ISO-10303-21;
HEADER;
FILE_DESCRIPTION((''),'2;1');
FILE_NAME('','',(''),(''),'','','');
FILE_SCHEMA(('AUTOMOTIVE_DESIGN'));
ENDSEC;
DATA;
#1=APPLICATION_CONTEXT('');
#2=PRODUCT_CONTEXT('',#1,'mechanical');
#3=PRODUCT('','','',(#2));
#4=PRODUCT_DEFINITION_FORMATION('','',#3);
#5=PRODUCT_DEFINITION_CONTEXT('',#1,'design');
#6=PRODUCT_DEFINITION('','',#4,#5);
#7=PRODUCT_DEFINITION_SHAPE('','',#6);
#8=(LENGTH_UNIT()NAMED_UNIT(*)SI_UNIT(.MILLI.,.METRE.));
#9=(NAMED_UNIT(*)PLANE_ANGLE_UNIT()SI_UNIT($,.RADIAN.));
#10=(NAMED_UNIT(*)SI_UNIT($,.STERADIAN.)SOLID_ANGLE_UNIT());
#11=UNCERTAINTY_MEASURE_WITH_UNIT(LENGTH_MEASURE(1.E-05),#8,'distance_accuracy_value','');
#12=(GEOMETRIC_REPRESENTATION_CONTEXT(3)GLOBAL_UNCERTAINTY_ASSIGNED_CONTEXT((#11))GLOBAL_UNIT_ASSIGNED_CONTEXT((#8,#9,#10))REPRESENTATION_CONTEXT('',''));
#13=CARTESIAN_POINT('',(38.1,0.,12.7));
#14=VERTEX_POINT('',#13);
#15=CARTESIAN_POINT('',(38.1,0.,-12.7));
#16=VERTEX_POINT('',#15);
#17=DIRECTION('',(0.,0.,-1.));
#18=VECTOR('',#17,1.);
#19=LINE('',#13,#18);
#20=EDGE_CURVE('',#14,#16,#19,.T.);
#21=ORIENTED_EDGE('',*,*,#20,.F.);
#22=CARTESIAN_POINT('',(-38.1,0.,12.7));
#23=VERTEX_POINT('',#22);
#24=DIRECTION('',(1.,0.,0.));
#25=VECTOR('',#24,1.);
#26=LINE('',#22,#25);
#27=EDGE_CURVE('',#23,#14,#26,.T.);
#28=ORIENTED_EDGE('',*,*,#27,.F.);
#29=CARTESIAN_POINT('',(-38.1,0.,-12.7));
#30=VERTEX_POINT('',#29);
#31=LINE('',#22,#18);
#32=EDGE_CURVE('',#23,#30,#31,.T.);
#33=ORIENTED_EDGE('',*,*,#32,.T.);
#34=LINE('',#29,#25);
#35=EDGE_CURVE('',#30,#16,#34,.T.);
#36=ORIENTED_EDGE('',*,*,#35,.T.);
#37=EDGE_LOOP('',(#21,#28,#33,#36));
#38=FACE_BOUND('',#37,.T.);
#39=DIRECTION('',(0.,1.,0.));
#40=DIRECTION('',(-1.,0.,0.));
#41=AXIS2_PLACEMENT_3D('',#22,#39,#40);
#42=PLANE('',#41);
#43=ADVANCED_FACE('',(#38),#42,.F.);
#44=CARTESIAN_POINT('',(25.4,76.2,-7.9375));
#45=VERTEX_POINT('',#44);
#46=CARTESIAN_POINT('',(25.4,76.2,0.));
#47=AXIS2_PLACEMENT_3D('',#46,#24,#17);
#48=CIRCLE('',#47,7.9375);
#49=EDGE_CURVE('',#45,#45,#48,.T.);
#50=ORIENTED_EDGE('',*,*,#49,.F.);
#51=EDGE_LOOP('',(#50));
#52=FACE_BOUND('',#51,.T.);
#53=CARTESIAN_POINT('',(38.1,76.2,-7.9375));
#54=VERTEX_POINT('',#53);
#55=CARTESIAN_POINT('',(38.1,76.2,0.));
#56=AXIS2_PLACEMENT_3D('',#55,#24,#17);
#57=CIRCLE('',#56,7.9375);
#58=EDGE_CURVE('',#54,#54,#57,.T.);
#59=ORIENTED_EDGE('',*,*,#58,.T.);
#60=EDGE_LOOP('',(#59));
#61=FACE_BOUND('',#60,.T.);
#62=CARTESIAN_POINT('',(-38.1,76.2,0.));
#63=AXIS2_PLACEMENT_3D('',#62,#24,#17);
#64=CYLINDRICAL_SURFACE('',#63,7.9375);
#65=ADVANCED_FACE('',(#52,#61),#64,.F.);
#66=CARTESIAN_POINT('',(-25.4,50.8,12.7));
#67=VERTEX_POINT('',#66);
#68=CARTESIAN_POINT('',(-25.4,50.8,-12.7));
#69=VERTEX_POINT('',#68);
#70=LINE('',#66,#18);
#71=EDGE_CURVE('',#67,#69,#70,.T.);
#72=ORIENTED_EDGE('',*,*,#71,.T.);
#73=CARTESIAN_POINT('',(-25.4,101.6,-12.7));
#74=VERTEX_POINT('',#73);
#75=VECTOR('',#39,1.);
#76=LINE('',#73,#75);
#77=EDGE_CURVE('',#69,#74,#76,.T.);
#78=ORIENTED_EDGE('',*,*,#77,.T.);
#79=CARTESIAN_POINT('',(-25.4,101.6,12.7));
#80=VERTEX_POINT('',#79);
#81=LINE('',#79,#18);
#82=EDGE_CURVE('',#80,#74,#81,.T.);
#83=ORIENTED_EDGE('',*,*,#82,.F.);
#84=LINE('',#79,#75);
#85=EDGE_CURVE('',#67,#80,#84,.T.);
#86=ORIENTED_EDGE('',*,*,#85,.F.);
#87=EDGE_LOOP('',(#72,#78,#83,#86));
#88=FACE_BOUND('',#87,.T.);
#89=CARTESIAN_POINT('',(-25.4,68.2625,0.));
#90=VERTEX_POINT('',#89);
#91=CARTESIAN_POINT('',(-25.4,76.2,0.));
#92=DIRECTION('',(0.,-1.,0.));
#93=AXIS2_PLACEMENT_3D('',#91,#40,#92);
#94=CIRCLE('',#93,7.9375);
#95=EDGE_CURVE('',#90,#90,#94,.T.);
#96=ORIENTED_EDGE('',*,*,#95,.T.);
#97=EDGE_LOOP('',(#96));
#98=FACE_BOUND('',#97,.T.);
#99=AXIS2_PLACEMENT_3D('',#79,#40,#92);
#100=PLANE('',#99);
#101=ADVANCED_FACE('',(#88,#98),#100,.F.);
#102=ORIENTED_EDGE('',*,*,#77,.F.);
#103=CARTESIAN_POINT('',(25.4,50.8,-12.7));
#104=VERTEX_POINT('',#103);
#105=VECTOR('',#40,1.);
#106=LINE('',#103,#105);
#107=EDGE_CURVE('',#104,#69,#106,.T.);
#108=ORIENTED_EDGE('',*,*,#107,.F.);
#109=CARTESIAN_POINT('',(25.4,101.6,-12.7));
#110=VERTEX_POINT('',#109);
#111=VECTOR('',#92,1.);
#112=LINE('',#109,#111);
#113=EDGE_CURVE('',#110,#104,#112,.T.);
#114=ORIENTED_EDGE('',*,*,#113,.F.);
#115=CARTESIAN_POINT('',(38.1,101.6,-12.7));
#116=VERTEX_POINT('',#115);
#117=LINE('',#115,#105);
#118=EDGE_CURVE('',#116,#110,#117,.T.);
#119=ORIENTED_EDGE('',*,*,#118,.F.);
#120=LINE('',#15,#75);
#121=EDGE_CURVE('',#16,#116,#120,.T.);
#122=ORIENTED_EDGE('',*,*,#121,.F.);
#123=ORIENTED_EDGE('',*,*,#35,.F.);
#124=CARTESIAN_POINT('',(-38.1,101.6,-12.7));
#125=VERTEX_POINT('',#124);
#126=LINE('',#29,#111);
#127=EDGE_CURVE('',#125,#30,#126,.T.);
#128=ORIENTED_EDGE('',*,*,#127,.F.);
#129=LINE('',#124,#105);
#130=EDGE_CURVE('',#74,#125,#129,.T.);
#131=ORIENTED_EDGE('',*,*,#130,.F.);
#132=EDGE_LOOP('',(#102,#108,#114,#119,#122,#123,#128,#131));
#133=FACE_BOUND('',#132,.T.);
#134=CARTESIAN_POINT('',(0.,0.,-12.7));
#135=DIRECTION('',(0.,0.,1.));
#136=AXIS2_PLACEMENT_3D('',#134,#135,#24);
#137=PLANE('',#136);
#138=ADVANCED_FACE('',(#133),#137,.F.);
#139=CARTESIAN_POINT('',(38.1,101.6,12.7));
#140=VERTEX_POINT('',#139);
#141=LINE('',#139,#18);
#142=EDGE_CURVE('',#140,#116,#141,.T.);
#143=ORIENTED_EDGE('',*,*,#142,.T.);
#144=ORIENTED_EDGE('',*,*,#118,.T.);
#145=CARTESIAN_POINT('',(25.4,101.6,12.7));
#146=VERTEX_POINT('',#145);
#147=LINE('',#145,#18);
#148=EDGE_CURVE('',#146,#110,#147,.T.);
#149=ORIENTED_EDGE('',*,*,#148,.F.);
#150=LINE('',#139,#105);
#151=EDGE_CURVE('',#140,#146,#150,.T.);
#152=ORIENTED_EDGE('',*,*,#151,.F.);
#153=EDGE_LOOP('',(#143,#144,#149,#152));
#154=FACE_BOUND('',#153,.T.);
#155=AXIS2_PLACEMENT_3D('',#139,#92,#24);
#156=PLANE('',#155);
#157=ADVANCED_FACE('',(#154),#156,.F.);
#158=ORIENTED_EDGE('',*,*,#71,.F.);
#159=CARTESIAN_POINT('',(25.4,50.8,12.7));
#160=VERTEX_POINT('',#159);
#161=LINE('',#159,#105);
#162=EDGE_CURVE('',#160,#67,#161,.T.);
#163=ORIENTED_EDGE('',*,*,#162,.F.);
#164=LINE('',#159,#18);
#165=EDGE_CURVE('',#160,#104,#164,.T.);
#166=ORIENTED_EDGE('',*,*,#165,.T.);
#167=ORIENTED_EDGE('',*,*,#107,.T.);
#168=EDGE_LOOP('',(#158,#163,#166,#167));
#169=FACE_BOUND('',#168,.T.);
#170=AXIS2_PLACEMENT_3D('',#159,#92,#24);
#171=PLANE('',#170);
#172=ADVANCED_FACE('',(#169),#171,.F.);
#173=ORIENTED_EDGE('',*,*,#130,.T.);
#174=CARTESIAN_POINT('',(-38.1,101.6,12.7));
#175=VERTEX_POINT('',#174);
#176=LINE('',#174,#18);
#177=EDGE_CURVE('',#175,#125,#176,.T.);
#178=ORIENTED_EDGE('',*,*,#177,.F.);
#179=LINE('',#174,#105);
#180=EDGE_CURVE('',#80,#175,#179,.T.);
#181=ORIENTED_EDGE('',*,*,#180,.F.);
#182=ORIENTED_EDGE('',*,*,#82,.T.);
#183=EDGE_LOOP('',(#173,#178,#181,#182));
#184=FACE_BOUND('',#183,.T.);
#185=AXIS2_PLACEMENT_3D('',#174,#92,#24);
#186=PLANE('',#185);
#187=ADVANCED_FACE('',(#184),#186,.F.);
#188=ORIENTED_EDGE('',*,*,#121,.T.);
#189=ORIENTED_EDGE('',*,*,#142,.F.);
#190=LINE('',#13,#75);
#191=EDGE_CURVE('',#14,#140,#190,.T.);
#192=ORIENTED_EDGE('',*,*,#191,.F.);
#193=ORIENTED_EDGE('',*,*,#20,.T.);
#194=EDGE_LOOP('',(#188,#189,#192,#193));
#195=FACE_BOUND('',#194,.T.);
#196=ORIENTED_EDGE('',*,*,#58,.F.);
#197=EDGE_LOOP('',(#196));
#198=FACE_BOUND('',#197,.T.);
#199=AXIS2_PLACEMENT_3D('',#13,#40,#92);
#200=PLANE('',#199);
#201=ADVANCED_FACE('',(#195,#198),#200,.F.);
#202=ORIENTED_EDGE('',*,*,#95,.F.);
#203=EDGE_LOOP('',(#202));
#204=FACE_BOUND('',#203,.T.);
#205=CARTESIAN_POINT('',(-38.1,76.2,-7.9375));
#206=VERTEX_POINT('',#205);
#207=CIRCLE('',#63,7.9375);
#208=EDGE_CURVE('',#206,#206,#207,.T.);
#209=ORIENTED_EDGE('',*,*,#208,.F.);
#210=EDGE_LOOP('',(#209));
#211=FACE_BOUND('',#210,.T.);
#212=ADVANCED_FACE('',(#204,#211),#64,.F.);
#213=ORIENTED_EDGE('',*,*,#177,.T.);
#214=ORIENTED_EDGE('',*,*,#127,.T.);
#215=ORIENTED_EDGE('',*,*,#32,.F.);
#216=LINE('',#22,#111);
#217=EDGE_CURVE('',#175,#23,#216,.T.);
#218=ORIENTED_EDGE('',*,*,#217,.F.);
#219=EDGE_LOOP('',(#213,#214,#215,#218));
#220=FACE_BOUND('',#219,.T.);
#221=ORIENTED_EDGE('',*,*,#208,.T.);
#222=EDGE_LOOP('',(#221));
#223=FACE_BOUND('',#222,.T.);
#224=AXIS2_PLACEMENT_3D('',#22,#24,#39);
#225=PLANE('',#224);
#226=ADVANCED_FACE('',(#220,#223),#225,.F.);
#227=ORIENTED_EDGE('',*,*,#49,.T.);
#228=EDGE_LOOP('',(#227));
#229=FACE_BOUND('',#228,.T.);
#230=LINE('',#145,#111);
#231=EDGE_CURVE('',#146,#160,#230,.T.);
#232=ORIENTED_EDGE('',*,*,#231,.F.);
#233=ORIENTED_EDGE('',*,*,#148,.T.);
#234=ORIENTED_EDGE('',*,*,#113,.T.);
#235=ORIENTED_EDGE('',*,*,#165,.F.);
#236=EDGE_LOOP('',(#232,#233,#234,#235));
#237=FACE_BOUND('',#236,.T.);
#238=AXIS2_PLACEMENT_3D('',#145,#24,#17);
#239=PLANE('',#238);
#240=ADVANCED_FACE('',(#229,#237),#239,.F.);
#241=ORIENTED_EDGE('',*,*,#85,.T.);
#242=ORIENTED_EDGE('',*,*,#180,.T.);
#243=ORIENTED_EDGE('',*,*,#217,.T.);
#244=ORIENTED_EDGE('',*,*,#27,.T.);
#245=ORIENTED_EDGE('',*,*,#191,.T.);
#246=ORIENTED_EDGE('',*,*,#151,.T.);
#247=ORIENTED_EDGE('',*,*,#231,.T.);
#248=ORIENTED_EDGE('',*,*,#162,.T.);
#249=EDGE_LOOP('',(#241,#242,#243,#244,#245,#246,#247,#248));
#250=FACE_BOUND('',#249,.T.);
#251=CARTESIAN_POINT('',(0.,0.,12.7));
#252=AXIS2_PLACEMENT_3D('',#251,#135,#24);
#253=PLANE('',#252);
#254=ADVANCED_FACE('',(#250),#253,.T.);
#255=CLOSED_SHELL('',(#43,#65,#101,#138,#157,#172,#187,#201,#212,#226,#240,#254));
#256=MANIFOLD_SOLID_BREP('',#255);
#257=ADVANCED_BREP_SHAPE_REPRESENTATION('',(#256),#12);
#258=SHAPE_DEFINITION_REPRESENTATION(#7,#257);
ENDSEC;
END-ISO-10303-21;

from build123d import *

# Parameters (mm, degrees)
BOSS_EXTRUDE1_DEPTH     = 12.7
CUT_EXTRUDE1_DEPTH      = 110.249530891
CUT_EXTRUDE1_DEPTH_BACK = 110.249530891
SKETCH2_R               = 7.9375


with BuildPart() as part:
    # Sketch1 → Boss-Extrude1 (new, symmetric)
    with BuildSketch(Plane.XY):
        Polygon((-38.1, 0), (38.1, 0), (38.1, 101.6), (25.4, 101.6), (25.4, 50.8), (-25.4, 50.8), (-25.4, 101.6), (-38.1, 101.6), align=None)
    extrude(amount=BOSS_EXTRUDE1_DEPTH, both=True)

    # Sketch2 → Cut-Extrude1 (cut, two sides: drawn at the far end of the back side and taken through both)
    with BuildSketch(Plane(origin=(0, 0, 0), x_dir=(0, 0, -1), z_dir=(1, 0, 0)).offset(-CUT_EXTRUDE1_DEPTH_BACK)):
        with Locations((0, 76.2)):
            Circle(SKETCH2_R)
    extrude(amount=CUT_EXTRUDE1_DEPTH + CUT_EXTRUDE1_DEPTH_BACK, mode=Mode.SUBTRACT)


solid = part.part
